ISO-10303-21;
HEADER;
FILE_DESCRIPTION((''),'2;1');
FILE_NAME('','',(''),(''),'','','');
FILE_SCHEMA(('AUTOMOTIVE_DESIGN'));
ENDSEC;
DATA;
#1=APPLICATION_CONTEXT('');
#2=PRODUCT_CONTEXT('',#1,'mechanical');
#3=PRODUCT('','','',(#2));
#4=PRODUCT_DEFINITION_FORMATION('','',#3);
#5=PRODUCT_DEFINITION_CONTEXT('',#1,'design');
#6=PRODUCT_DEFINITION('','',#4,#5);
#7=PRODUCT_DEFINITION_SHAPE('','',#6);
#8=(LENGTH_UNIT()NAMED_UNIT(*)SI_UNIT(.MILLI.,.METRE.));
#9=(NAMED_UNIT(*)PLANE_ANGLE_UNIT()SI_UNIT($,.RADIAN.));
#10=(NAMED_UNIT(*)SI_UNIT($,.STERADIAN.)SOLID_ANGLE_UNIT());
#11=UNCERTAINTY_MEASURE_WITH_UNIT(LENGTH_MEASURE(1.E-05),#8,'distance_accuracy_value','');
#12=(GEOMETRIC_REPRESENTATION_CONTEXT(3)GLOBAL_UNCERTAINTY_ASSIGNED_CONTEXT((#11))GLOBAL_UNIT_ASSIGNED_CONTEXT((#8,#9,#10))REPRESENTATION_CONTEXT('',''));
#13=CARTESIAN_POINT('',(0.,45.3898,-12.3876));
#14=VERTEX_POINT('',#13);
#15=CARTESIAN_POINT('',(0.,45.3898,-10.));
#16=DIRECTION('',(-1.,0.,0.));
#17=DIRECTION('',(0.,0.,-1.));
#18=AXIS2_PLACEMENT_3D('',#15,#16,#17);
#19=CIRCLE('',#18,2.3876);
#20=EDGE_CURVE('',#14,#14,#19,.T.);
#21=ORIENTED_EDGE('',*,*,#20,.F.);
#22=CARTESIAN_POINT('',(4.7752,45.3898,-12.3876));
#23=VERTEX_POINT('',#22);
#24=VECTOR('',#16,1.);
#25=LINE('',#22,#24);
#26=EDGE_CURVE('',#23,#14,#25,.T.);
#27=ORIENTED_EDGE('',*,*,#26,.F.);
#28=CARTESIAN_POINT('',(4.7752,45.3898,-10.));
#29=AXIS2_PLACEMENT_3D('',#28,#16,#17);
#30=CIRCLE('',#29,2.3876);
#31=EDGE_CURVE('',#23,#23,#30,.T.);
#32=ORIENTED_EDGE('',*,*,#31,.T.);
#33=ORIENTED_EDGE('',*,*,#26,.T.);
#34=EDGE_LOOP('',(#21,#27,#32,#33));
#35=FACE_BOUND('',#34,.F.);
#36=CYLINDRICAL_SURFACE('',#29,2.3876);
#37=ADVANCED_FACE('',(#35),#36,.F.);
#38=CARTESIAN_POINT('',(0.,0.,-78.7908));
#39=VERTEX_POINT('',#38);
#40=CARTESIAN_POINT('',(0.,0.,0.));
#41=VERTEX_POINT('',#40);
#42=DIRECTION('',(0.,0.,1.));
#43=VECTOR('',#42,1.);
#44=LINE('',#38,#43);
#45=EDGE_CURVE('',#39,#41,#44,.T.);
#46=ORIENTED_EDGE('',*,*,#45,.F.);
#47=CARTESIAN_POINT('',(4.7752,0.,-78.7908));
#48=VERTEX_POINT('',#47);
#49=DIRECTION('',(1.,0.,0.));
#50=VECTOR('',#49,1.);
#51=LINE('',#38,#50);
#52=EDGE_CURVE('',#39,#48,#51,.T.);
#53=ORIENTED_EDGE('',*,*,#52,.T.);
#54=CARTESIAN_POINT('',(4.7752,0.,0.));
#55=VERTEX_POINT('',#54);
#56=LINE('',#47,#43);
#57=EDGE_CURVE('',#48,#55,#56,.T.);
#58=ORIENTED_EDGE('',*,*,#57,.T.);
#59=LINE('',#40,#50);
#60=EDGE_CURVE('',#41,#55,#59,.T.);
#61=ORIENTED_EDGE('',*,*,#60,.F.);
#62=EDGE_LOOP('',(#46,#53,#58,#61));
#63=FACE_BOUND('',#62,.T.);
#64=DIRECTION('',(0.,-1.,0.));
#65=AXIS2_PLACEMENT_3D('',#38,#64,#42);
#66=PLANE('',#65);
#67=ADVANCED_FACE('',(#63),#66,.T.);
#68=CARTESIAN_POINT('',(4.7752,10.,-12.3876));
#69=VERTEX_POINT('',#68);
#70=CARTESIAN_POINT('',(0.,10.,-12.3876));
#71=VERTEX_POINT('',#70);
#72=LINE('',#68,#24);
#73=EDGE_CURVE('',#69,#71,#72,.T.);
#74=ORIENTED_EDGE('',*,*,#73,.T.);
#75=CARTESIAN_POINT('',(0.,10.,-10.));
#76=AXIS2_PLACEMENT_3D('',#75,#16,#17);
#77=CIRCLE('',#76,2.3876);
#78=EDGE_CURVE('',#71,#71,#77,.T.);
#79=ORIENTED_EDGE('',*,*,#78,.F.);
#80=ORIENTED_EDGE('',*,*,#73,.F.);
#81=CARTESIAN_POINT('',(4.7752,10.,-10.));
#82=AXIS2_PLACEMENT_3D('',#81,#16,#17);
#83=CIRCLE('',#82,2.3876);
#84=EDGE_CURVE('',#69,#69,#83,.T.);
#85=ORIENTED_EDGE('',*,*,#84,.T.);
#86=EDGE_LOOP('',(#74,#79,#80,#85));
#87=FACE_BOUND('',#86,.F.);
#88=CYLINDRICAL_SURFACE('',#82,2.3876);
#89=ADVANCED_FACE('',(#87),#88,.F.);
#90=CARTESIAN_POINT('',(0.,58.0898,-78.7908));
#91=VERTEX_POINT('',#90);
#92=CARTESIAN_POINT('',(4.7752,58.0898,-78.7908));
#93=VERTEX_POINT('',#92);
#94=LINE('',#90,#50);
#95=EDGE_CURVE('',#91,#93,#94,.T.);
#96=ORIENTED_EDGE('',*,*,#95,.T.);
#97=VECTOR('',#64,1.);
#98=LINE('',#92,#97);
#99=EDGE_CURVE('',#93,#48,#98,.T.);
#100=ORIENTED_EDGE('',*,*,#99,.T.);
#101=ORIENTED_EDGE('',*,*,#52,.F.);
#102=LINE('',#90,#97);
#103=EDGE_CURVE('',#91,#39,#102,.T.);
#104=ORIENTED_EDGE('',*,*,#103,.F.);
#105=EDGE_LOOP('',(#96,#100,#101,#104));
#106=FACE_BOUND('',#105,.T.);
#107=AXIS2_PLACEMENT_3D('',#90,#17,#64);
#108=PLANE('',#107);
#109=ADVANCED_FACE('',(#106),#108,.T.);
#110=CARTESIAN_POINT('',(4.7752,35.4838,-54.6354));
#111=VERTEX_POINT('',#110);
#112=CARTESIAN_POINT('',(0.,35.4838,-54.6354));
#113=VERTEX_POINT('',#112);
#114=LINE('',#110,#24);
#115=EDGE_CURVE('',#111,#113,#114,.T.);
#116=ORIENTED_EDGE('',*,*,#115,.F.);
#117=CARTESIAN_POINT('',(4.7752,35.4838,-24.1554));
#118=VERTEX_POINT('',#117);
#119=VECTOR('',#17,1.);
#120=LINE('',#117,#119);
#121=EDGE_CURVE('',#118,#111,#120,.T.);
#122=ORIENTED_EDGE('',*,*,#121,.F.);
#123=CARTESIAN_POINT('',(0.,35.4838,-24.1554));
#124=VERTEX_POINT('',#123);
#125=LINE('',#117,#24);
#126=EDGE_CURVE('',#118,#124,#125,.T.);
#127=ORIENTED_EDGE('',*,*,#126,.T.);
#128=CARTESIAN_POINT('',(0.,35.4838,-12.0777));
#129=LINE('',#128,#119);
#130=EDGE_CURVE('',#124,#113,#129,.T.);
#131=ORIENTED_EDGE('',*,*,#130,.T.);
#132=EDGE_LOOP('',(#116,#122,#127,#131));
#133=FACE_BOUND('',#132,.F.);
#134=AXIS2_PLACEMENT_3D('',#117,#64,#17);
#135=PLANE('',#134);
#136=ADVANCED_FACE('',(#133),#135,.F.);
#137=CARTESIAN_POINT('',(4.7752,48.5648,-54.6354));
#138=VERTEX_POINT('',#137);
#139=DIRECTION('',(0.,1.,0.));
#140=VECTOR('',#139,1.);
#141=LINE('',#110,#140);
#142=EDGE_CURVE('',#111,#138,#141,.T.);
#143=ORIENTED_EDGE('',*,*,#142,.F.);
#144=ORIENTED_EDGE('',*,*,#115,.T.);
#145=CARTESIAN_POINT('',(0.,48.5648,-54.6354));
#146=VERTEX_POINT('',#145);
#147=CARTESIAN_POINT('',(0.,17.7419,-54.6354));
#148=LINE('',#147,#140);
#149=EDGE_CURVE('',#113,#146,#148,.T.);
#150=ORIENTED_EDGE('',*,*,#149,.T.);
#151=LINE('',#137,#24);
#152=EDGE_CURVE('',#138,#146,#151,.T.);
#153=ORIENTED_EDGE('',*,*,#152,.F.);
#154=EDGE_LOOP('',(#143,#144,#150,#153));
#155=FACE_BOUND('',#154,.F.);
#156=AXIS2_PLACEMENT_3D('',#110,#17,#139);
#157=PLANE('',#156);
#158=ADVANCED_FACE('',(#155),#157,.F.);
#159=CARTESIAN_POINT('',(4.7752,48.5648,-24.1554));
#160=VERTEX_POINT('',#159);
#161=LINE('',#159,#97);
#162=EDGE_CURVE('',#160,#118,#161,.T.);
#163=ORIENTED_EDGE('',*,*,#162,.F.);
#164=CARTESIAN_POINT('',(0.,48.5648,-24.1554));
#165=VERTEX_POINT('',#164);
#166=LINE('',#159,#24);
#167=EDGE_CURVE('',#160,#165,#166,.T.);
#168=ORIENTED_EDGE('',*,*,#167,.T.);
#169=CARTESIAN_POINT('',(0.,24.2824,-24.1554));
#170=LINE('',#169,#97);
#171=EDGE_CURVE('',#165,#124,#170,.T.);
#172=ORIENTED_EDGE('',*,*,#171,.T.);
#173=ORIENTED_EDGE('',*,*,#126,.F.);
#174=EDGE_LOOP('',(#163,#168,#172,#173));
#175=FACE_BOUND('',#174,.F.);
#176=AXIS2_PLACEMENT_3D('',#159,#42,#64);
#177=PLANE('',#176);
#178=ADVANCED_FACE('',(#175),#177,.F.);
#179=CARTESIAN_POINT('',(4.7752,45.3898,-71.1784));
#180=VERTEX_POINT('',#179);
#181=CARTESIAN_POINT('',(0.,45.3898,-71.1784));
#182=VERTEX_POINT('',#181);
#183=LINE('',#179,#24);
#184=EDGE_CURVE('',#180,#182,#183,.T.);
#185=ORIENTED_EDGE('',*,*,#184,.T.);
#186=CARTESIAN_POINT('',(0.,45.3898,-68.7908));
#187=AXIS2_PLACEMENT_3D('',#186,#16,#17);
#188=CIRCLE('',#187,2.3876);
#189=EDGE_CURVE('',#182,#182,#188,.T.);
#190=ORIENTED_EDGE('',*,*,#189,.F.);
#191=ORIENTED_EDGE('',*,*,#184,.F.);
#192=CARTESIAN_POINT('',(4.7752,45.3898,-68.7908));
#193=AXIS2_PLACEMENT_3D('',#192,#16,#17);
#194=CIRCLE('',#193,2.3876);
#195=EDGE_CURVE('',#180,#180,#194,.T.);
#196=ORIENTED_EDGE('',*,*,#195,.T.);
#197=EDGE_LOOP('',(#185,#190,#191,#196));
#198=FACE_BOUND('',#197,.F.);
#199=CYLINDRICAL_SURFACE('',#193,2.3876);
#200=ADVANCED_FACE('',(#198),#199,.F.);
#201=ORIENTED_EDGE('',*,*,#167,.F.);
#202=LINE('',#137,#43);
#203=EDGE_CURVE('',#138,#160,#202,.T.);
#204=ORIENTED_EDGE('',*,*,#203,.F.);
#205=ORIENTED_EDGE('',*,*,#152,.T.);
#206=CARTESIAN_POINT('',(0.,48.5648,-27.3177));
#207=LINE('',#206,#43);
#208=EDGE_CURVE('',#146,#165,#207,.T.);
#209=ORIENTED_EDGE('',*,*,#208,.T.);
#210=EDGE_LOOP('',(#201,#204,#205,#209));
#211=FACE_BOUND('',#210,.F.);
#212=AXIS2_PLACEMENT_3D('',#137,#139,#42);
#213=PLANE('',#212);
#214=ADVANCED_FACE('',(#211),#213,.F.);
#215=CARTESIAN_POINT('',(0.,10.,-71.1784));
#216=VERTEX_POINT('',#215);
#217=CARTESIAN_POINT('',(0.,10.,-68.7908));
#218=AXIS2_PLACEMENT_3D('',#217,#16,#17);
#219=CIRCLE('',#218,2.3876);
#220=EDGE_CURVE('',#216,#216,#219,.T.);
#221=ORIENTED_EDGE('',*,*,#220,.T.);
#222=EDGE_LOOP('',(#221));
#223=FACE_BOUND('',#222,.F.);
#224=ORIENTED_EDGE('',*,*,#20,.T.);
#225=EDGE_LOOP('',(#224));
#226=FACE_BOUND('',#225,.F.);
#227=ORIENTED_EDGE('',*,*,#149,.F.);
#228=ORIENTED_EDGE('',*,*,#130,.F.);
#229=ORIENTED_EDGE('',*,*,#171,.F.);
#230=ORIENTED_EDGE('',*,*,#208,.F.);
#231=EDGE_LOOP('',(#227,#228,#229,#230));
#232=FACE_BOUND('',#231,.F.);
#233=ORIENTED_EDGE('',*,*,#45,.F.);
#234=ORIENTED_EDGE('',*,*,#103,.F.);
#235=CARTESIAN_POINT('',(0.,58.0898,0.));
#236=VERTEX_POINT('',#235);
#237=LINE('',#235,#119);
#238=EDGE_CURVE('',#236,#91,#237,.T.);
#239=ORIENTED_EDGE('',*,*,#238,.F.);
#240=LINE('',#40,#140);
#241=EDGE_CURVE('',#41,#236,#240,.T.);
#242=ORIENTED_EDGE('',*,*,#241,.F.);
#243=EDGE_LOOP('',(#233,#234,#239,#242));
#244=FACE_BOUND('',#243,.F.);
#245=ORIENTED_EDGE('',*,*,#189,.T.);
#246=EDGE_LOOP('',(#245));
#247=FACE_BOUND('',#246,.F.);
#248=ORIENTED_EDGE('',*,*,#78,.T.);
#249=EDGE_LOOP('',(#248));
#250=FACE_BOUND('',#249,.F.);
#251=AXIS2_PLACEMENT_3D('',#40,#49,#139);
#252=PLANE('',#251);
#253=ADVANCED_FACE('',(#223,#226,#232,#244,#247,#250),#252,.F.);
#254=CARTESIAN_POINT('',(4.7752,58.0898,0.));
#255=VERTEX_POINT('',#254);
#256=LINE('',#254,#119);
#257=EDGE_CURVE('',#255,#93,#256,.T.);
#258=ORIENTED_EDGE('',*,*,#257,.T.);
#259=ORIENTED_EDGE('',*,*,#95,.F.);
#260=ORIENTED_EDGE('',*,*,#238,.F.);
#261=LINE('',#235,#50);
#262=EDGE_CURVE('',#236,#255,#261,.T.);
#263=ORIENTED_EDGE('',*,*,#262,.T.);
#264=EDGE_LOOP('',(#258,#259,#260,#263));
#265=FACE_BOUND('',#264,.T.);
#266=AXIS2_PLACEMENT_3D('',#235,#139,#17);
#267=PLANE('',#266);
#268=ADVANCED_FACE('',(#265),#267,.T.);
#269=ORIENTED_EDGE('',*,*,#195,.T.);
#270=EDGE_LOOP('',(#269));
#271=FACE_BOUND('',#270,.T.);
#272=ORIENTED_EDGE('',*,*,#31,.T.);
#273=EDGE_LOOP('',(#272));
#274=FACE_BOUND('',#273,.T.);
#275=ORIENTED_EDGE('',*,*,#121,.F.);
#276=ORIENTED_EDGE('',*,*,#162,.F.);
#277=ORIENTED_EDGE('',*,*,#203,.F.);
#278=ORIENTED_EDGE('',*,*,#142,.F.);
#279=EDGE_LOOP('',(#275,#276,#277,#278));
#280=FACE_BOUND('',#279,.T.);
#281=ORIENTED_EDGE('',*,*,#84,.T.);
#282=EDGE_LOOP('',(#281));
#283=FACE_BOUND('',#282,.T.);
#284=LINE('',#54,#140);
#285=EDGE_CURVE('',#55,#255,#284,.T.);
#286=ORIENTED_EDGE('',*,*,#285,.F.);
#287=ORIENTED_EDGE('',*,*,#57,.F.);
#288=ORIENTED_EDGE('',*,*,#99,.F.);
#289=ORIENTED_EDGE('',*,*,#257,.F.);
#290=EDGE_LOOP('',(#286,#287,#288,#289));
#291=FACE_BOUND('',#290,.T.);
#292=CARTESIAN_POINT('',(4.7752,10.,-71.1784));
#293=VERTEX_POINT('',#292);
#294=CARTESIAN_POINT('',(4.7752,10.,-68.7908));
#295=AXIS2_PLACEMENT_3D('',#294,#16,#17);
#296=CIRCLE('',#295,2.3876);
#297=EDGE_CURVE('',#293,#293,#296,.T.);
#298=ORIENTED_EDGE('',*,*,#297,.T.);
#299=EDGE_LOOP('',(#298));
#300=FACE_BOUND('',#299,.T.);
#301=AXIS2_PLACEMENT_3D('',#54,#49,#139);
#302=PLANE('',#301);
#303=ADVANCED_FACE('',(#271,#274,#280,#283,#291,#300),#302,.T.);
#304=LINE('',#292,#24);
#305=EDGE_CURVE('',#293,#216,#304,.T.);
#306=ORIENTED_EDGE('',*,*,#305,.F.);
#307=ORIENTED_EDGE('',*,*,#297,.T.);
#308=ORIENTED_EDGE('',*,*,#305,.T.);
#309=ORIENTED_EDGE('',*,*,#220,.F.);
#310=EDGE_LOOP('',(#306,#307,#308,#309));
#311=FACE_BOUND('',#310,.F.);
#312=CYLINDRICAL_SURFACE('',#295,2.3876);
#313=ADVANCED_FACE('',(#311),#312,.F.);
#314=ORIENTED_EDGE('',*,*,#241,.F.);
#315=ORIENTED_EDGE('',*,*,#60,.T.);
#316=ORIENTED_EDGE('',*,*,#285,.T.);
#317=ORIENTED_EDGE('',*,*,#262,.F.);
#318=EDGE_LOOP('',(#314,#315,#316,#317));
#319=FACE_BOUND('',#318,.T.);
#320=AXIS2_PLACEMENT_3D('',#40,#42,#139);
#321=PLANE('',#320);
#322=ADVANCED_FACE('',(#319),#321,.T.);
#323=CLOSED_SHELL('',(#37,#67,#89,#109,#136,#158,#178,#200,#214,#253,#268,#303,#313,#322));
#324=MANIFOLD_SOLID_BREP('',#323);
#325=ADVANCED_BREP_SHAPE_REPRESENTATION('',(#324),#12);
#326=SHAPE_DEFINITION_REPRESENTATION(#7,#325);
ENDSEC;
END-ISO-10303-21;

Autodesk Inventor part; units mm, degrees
ref_plane "YZ Plane" through (0, 0, 0) normal (1, 0, 0) x (0, 1, 0)
ref_plane "XZ Plane" through (0, 0, 0) normal (0, 1, 0) x (-1, 0, 0)
ref_plane "XY Plane" through (0, 0, 0) normal (0, 0, 1) x (1, 0, 0)
sketch "Sketch1" plane through (0, 0, 0) normal (1, 0, 0) x (0, 1, 0)
  line L0 (0, 0) -> (58.0898, 0)
  line L1 (58.0898, 0) -> (58.0898, -78.7908)
  line L2 (58.0898, -78.7908) -> (0, -78.7908)
  line L3 (0, -78.7908) -> (0, 0)
  dimension "d0" = 78.7908
  dimension "d1" = 58.0898
extrude "Extrusion1" add sketch "Sketch1" along normal blind 4.7752
sketch "Sketch2" plane through (4.7752, 0, 0) normal (1, 0, 0) x (0, 0, -1)
  line L0 (0, 58.0898) -> (0, 0) projected
  line L1 (78.7908, 58.0898) -> (0, 58.0898) projected
  line L2 (0, 0) -> (78.7908, 0) projected
  line L3 (78.7908, 0) -> (78.7908, 58.0898) projected
  point P0 (10, 45.3898)
  point P1 (68.7908, 45.3898)
  point P2 (10, 10)
  point P3 (68.7908, 10)
  dimension "d4" = 10
  dimension "d6" = 10
  dimension "d7" = 10
  dimension "d9" = 10
  dimension "d10" = 12.7
  dimension "d12" = 12.7
  dimension "d16" = 10
  dimension "d17" = 10
hole "Hole1" at (4.7752, 45.3898, -10) at (4.7752, 45.3898, -68.7908) at (4.7752, 10, -10) at (4.7752, 10, -68.7908) direction (-1, 0, 0) diameter 4.7752 end through all
sketch "Sketch3" plane through (4.7752, 0, 0) normal (1, 0, 0) x (0, 0, -1)
  line L0 (24.1554, 35.4838) -> (54.6354, 35.4838)
  line L1 (54.6354, 35.4838) -> (54.6354, 48.5648)
  line L2 (54.6354, 48.5648) -> (24.1554, 48.5648)
  line L3 (24.1554, 48.5648) -> (24.1554, 35.4838)
  line L4 (0, 58.0898) -> (0, 0) projected
  line L5 (78.7908, 58.0898) -> (0, 58.0898) projected
  dimension "d25" = 13.081
  dimension "d26" = 30.48
  dimension "d28" = 78.7908
  dimension "d29" = 24.1554
  dimension "d30" = 58.0898
  dimension "d31" = 9.525
extrude "Extrusion2" cut sketch "Sketch3" against normal through all
equation "\"d29\" = -0.5 * d26 + 0.5 * d28"
properties part number "SwitchBracket"
